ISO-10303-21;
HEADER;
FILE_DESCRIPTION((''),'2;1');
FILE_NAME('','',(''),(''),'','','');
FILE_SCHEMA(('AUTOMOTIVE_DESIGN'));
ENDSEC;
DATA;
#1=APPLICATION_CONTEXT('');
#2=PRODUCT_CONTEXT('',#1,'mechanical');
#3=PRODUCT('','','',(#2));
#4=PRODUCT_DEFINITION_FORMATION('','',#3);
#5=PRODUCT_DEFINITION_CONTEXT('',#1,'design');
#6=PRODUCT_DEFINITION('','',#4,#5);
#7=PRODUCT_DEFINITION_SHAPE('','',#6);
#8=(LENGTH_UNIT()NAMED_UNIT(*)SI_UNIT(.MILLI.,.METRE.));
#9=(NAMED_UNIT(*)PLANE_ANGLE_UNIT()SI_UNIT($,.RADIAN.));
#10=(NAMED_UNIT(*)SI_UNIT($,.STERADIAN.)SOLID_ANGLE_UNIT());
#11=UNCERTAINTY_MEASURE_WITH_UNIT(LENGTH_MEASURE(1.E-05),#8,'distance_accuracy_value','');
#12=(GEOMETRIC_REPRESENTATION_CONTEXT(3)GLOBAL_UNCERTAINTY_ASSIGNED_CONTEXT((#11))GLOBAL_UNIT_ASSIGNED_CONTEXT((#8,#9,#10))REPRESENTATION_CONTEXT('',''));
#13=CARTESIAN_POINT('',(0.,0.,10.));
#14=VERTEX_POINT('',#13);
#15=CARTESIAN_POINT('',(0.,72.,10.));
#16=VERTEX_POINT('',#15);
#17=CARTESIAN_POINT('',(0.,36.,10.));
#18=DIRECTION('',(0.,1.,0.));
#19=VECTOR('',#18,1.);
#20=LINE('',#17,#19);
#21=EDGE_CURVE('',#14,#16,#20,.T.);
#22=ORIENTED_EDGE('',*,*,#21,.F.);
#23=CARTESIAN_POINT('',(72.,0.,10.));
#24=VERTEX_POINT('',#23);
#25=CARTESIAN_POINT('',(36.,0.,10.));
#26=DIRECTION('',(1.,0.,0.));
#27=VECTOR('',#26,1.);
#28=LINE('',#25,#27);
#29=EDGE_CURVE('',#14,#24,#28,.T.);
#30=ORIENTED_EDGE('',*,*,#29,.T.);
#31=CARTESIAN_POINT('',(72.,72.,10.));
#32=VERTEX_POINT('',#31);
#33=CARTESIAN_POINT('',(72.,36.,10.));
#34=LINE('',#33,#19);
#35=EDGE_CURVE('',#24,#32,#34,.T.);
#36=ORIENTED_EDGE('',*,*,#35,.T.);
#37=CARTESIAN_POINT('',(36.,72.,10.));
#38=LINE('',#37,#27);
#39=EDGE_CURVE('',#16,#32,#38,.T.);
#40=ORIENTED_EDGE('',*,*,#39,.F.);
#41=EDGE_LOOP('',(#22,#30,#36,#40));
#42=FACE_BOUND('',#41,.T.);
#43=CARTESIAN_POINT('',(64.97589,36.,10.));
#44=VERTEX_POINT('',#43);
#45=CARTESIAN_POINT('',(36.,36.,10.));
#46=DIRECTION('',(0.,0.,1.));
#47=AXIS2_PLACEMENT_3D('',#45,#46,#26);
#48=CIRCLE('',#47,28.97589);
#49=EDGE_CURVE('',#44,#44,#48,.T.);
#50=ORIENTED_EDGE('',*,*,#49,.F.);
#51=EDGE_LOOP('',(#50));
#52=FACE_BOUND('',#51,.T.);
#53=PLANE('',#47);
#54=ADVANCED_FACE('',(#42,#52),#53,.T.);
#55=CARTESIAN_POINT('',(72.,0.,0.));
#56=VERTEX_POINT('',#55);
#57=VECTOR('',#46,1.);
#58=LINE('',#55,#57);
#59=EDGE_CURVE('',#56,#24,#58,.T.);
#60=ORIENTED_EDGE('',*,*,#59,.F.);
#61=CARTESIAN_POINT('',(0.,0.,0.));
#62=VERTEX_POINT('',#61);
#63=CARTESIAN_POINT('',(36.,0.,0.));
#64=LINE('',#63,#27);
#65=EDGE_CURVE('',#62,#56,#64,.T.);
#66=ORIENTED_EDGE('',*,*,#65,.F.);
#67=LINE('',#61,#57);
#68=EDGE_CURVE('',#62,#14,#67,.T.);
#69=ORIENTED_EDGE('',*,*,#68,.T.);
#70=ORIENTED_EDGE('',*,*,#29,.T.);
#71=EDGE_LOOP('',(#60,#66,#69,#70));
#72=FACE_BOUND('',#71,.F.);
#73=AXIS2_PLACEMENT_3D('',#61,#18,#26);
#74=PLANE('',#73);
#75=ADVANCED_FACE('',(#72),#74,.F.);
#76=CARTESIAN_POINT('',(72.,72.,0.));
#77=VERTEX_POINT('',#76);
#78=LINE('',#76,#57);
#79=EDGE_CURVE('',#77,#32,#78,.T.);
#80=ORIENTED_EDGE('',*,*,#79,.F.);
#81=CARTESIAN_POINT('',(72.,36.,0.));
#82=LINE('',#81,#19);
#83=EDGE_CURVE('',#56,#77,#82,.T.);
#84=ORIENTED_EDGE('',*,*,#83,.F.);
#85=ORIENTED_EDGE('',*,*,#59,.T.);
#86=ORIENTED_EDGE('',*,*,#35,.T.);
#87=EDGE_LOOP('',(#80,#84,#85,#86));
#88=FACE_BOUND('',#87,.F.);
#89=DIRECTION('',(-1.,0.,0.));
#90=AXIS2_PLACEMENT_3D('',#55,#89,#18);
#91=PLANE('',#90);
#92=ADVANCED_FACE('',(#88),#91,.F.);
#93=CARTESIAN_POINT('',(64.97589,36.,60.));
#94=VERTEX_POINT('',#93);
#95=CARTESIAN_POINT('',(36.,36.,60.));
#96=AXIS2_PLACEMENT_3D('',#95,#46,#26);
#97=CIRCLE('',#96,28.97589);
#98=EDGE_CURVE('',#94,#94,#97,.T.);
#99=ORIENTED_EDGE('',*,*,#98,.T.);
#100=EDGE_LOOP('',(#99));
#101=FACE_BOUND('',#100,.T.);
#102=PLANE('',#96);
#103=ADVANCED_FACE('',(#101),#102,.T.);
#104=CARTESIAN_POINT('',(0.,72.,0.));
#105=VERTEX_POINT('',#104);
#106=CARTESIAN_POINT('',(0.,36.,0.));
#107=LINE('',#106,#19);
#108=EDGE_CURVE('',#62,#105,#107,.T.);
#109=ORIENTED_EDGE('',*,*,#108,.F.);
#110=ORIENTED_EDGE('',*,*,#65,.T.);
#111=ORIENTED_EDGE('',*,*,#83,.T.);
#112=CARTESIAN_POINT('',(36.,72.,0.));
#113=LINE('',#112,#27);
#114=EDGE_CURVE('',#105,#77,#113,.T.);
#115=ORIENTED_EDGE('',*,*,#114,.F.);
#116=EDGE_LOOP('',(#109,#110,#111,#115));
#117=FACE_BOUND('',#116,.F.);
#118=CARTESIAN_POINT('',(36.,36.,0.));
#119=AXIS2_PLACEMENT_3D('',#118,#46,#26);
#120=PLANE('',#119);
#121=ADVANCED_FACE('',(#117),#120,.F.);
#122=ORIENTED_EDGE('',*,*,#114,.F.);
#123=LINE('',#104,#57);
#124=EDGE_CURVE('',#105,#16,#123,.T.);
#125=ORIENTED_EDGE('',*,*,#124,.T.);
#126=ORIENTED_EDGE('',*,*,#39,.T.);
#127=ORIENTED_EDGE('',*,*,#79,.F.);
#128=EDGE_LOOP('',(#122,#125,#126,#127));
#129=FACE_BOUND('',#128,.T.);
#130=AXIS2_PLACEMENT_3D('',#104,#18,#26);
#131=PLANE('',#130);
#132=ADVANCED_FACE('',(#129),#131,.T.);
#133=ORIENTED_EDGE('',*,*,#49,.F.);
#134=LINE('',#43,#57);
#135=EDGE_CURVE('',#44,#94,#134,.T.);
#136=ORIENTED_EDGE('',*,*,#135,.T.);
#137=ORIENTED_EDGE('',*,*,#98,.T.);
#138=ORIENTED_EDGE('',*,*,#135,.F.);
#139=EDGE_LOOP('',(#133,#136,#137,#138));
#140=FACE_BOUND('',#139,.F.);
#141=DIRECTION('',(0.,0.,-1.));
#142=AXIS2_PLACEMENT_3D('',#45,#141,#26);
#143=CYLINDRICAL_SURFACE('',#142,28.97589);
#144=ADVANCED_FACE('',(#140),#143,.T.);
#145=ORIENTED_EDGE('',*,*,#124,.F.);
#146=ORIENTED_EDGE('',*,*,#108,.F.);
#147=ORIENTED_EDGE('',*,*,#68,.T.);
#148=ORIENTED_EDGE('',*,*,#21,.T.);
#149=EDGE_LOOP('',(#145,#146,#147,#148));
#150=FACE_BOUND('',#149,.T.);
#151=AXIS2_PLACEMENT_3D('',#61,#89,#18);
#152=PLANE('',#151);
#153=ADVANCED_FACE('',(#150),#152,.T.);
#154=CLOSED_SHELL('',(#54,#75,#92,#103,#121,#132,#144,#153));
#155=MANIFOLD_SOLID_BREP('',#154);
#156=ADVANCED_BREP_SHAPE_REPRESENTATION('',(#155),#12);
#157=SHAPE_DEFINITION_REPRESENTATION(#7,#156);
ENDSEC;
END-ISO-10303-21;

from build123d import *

# Parameters (mm, degrees)
SKETCH_W     = 72
SKETCH_H     = 72
PAD_DEPTH    = 10
SKETCH001_R  = 28.97589
PAD001_DEPTH = 50


with BuildPart() as part:
    # Sketch → Pad (new body)
    with BuildSketch(Plane.XY):
        with Locations((36, 36)):
            Rectangle(SKETCH_W, SKETCH_H)
    extrude(amount=PAD_DEPTH)

    # Sketch001 (on Face6 of Pad) → Pad001 (join)
    with BuildSketch(Plane.XY.offset(10)):
        with Locations((36, 36)):
            Circle(SKETCH001_R)
    extrude(amount=PAD001_DEPTH)


solid = part.part
